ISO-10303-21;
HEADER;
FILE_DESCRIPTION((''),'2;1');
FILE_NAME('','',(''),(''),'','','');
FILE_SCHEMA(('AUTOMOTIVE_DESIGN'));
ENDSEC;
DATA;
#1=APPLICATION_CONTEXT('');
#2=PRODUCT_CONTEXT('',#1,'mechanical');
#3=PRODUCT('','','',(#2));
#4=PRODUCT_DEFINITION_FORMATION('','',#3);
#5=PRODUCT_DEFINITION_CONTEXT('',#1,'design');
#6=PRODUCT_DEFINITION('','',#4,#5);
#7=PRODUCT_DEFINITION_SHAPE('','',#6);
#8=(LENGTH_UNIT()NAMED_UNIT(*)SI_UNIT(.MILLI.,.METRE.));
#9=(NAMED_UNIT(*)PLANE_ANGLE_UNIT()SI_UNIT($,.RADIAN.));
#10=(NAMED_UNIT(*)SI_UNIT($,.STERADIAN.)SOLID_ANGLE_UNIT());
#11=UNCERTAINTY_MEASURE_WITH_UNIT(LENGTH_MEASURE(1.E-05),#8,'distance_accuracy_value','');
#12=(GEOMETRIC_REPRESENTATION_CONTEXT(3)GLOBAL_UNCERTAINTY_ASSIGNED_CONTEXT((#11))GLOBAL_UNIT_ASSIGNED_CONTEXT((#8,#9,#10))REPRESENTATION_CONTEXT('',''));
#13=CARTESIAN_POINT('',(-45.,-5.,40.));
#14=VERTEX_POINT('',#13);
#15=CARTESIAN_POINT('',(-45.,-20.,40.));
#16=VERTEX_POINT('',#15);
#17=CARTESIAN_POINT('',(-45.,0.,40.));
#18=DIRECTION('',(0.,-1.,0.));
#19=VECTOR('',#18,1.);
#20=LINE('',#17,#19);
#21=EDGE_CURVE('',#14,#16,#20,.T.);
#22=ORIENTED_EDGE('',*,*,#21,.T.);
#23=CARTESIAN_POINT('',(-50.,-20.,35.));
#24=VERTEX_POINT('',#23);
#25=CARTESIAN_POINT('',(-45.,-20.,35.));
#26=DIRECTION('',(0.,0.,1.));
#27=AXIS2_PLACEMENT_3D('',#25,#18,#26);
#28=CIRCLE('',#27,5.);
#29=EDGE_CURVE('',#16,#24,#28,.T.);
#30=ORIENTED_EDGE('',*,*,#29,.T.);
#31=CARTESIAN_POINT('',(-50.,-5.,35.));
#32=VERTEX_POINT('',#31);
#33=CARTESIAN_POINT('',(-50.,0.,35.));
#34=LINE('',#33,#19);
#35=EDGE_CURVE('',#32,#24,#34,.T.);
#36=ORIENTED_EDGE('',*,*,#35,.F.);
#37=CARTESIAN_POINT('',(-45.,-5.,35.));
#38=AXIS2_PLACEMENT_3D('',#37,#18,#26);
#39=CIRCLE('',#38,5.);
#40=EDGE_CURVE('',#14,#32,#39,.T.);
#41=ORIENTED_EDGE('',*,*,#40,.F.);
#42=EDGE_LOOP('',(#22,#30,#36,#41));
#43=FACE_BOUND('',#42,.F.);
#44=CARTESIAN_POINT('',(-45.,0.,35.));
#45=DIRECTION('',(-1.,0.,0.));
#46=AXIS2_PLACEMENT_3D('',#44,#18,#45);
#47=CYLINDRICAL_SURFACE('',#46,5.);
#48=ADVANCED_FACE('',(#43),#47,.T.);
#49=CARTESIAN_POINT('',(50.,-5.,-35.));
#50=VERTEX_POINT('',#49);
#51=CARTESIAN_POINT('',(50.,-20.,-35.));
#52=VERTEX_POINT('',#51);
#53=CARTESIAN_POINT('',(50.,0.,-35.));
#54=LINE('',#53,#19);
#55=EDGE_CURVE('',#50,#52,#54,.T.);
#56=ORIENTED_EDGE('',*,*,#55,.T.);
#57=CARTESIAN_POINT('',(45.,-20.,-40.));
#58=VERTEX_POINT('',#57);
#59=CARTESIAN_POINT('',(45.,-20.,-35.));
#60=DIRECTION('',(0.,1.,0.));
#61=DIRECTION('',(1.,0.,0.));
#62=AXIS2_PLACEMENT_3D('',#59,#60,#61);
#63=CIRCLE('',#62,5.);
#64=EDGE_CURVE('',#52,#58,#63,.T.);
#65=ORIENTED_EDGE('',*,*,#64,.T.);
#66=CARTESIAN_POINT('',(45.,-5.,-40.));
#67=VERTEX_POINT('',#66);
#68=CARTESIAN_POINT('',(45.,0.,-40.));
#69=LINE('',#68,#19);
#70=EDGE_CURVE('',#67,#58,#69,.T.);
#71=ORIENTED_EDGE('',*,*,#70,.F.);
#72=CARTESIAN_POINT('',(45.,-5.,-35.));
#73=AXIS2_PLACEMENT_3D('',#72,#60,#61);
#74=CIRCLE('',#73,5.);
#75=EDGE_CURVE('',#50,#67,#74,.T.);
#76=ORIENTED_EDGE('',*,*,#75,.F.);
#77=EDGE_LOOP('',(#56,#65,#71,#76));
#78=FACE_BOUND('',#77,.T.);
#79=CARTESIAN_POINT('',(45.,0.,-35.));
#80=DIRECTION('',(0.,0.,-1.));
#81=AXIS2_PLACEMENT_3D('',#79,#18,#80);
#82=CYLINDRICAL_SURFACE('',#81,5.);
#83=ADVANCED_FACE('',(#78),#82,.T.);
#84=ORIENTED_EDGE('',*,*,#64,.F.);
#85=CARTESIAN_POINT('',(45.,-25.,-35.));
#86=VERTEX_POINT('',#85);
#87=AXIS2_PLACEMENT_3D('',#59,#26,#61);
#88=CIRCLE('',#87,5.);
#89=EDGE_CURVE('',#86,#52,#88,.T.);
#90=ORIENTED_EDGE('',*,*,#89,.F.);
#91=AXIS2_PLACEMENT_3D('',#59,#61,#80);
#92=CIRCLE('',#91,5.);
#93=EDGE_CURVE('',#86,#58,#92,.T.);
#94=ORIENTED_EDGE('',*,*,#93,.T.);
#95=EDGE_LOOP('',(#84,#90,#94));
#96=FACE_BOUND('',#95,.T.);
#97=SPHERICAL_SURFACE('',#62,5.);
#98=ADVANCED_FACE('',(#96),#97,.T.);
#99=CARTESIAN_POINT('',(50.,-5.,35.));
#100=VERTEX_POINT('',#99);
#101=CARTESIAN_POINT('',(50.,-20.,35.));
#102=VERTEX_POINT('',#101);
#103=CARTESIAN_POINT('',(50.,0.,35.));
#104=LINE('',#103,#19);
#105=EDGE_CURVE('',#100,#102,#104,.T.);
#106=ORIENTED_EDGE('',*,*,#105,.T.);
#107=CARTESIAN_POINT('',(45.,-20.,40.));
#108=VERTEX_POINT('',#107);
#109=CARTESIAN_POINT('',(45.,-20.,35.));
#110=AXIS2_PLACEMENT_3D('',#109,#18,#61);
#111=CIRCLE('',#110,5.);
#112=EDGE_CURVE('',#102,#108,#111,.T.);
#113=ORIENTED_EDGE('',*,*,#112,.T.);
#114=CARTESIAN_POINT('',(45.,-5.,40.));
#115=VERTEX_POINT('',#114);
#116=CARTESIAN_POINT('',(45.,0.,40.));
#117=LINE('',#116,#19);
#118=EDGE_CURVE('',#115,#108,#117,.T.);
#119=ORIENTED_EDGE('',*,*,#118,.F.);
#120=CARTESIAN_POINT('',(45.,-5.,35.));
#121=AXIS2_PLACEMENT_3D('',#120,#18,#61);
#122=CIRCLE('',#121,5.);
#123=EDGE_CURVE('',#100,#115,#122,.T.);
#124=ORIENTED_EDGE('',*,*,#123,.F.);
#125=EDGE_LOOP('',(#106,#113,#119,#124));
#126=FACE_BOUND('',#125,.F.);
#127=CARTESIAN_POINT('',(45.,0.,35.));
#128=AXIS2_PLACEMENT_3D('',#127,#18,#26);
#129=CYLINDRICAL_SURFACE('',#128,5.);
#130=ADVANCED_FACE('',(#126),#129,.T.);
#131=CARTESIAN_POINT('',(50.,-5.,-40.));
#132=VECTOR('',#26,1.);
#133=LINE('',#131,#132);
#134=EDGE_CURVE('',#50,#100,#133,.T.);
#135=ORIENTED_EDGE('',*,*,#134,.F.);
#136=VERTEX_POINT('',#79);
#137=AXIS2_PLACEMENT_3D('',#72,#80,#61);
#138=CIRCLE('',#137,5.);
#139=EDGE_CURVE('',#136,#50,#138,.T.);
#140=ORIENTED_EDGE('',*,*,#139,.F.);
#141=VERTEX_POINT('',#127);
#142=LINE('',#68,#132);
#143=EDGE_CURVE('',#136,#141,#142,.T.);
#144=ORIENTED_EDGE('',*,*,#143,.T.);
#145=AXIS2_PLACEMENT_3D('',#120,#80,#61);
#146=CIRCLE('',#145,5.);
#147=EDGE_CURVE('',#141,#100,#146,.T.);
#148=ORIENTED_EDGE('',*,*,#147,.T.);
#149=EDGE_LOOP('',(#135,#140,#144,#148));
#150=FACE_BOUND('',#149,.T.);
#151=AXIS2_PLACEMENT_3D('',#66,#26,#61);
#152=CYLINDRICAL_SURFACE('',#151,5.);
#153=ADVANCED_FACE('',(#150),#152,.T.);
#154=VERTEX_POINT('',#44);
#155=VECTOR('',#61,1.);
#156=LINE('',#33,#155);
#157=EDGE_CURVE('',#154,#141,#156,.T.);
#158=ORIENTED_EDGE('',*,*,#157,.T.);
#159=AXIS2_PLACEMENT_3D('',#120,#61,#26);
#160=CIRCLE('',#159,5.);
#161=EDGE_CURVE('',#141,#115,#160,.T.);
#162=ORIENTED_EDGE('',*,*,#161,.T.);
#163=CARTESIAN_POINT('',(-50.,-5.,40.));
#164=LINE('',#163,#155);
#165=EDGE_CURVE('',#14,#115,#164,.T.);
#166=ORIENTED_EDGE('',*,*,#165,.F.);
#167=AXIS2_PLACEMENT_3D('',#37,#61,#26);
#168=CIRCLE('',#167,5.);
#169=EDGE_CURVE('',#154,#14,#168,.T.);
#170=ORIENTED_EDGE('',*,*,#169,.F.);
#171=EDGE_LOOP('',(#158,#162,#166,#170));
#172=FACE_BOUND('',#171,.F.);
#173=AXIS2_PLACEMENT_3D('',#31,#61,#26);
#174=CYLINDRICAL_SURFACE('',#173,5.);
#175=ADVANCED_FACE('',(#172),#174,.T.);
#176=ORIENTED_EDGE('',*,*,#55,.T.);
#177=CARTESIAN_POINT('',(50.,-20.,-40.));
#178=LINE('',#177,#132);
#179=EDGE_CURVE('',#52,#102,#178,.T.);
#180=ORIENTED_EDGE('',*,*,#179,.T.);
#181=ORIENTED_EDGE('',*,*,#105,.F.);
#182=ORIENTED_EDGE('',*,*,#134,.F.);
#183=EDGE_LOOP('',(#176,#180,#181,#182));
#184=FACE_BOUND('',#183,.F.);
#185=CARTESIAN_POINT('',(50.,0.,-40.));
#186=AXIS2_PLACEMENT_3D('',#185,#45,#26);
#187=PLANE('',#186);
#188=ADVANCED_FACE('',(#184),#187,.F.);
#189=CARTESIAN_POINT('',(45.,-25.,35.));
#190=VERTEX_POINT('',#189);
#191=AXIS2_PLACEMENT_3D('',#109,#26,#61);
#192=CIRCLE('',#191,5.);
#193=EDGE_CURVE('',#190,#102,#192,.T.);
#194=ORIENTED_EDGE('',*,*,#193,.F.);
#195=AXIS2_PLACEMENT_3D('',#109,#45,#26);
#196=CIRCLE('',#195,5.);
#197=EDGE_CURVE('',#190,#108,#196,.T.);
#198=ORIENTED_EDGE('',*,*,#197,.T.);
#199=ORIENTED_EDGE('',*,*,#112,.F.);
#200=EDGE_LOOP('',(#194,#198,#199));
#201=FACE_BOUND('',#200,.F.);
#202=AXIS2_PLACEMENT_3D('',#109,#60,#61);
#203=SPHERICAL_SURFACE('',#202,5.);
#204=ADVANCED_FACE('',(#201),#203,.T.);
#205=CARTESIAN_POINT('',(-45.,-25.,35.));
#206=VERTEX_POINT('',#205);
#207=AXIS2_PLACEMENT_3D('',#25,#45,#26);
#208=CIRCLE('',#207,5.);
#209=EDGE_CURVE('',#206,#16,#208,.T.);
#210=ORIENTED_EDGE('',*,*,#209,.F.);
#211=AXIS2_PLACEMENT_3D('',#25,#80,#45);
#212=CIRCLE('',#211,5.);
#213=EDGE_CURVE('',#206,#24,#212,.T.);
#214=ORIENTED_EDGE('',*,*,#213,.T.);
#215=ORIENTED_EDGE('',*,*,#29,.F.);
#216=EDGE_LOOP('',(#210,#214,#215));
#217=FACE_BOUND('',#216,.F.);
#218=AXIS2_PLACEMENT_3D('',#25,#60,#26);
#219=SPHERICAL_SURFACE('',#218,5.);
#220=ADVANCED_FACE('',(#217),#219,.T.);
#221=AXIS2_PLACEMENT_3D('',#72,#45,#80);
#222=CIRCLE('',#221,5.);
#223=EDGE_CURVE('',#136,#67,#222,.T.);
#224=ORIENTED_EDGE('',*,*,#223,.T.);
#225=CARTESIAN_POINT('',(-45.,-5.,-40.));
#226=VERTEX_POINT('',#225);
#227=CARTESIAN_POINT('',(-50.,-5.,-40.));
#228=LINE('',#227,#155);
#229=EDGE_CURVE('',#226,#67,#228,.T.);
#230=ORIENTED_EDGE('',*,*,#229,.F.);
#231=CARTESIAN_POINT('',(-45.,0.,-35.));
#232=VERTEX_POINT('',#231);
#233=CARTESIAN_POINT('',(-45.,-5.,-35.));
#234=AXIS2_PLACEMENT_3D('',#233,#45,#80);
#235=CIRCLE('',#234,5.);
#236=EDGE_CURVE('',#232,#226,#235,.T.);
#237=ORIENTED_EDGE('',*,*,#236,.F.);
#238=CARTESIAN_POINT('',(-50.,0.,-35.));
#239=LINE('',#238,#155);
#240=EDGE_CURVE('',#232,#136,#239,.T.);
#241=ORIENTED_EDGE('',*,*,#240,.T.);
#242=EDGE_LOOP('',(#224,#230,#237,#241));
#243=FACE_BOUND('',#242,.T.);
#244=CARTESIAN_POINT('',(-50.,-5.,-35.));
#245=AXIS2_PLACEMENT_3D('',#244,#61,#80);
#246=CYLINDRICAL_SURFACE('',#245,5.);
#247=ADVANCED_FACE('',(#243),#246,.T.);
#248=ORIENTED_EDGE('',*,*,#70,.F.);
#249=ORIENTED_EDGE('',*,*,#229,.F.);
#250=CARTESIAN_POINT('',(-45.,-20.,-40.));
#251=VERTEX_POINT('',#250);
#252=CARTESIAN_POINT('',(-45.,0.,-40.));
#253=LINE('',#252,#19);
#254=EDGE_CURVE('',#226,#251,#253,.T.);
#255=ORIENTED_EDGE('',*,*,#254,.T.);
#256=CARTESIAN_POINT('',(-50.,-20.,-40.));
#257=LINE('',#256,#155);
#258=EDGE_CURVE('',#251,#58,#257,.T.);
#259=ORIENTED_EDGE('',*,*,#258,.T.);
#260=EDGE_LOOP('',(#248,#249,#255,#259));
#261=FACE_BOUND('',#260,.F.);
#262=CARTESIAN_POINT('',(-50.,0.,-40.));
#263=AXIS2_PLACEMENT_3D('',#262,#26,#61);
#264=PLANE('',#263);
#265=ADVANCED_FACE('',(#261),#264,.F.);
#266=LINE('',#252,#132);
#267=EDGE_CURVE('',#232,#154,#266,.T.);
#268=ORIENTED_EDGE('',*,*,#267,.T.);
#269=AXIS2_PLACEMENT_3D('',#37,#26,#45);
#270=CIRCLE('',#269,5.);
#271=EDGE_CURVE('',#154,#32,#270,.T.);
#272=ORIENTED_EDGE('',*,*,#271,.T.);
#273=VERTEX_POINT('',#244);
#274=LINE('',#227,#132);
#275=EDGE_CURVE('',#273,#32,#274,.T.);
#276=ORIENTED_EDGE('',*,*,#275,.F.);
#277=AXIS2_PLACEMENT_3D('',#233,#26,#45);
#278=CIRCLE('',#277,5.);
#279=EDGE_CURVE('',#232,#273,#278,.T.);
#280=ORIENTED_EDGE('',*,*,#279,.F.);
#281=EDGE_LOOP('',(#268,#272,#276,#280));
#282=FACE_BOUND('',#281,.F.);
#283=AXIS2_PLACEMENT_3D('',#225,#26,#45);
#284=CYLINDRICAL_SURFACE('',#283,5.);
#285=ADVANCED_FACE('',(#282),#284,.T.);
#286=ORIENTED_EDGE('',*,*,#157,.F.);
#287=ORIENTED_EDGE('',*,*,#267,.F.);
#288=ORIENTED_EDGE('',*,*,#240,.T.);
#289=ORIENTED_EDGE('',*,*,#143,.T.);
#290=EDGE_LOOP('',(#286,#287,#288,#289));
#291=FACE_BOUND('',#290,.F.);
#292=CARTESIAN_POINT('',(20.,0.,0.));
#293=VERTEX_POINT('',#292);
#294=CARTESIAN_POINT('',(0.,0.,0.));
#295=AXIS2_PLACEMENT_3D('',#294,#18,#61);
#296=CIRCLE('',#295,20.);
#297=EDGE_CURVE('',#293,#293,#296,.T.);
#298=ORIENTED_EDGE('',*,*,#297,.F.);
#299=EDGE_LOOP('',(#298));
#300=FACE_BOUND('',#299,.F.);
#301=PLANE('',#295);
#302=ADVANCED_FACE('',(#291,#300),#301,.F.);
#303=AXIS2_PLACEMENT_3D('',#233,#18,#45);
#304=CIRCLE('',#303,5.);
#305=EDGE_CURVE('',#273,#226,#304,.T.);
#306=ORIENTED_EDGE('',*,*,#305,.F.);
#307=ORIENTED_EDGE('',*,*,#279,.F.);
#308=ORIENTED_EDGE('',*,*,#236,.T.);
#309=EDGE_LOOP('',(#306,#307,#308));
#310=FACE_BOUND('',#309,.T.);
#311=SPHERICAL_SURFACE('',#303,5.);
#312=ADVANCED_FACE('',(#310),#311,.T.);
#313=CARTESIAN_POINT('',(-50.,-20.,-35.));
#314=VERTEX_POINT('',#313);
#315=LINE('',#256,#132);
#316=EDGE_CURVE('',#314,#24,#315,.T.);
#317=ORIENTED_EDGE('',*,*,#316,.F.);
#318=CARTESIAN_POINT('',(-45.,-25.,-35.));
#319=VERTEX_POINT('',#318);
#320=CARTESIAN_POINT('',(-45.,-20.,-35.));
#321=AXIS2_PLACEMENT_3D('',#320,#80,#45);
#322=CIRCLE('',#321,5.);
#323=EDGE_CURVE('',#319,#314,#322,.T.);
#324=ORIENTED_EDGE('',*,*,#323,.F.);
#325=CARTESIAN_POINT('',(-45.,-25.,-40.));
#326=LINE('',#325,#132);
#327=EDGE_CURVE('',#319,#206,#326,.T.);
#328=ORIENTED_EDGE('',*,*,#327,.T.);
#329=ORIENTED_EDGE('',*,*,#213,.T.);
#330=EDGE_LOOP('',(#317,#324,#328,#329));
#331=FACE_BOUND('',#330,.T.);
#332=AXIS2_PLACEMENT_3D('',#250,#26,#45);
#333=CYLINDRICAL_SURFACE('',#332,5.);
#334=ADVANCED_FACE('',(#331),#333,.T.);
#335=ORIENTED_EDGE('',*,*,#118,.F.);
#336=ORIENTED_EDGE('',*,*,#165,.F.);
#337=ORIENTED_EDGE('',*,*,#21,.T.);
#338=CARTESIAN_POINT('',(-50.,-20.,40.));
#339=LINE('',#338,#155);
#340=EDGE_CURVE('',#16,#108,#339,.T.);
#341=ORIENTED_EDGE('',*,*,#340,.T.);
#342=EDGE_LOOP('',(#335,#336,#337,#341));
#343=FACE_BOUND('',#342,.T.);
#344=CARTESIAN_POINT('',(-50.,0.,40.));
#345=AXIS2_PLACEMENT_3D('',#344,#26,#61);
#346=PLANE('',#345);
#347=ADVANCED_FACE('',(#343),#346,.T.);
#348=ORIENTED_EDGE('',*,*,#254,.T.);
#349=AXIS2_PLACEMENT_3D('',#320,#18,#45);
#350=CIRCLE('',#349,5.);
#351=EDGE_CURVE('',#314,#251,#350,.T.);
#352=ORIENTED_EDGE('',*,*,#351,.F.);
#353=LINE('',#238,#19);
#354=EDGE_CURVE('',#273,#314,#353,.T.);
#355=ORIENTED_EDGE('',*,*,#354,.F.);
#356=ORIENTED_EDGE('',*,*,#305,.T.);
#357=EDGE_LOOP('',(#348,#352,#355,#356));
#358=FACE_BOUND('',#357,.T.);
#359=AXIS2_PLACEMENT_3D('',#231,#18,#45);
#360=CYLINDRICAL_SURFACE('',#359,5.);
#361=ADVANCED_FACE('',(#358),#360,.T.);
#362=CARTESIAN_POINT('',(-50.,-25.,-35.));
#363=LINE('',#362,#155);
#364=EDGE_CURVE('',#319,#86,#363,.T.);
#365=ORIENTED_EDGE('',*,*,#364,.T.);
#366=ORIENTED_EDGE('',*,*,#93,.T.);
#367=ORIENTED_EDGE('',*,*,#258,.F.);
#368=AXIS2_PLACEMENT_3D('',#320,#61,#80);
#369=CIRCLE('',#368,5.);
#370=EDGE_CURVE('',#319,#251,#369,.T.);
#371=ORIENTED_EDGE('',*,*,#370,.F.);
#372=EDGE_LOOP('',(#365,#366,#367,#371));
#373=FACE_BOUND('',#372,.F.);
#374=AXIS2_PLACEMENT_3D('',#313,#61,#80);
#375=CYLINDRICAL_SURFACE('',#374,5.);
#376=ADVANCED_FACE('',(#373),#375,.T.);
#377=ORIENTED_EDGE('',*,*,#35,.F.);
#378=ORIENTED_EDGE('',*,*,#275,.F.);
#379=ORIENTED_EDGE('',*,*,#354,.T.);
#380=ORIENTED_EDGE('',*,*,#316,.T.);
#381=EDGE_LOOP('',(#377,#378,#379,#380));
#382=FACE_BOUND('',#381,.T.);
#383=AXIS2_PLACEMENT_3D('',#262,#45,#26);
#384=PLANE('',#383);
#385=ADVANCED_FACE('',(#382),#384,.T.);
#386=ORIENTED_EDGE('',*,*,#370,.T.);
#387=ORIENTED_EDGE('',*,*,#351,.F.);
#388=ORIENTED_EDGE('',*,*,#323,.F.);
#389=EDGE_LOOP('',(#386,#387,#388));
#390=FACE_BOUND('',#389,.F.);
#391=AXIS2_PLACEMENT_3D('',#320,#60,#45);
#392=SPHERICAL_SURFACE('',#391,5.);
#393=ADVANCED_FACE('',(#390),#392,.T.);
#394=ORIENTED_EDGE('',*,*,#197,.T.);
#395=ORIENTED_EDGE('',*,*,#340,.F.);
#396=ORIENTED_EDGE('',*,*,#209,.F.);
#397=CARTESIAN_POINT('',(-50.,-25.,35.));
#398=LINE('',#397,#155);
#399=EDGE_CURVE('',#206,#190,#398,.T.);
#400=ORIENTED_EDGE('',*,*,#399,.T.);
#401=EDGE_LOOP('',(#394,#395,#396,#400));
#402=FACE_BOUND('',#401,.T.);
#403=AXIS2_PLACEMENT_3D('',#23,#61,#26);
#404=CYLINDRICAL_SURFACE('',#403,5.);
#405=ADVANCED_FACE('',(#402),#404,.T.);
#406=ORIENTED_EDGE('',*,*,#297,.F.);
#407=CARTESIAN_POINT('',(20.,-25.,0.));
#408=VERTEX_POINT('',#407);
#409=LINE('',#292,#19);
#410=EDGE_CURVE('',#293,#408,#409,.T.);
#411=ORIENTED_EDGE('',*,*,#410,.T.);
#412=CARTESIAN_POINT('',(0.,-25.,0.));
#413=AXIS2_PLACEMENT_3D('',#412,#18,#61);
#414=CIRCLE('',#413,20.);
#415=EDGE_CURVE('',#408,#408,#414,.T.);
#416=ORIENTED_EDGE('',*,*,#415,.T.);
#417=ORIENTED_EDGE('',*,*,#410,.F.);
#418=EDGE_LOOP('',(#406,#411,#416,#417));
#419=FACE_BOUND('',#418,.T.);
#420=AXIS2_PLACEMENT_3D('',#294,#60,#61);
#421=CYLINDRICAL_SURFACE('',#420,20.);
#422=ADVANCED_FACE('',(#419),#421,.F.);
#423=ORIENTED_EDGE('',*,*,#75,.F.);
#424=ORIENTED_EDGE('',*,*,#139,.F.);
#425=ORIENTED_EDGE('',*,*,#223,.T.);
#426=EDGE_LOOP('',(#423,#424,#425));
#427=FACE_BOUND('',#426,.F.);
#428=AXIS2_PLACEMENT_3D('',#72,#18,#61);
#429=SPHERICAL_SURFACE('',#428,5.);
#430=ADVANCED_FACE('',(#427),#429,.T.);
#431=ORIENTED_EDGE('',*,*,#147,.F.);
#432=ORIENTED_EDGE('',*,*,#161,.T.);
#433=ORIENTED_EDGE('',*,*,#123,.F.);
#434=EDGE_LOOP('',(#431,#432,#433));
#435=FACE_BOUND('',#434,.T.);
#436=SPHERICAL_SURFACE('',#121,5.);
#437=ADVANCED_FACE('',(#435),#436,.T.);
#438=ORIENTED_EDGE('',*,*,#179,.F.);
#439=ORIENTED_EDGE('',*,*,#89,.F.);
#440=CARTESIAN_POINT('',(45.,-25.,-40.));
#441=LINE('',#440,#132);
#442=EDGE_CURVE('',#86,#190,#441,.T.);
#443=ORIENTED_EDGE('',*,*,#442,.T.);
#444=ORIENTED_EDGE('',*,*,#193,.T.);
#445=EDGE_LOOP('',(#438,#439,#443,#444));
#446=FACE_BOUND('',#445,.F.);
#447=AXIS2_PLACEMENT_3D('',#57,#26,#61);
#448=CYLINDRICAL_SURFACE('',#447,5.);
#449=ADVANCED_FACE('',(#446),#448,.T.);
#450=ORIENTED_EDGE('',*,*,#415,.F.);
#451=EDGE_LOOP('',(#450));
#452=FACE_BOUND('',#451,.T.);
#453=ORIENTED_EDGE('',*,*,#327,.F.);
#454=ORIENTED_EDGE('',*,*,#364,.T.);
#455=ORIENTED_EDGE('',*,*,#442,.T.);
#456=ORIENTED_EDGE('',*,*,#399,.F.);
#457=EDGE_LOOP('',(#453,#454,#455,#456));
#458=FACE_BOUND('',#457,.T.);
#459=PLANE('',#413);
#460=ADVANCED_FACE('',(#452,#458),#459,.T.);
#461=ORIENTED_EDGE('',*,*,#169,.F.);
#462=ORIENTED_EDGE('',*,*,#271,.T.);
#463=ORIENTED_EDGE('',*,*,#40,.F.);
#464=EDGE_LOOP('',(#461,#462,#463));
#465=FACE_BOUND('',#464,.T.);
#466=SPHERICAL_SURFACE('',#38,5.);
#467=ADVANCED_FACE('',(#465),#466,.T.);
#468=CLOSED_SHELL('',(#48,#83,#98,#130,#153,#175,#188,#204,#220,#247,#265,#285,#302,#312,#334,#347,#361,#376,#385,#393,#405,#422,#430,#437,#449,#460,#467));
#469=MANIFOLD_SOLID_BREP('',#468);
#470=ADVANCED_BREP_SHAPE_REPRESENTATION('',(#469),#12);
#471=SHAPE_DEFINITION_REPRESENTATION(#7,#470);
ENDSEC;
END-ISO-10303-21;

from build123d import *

# Parameters (mm, degrees)
F0_W     = 100
F0_H     = 80
F0_R     = 20
F1_DEPTH = 25
F2_R     = 5


with BuildPart() as f1:
    # F0 (on Front) → F1 (new body)
    with BuildSketch(Plane.XZ):
        Rectangle(F0_W, F0_H)
        Circle(F0_R, mode=Mode.SUBTRACT)
    extrude(amount=F1_DEPTH)

    # F2
    f2_edges = [f1.edges().sort_by_distance(p)[0] for p in [
        (50, -12.5, -40),
        (50, -12.5, 40),
        (50, 0, 0),
        (50, -25, 0),
        (-50, -12.5, 40),
        (0, 0, 40),
        (0, -25, 40),
        (-50, -12.5, -40),
        (-50, 0, 0),
        (-50, -25, 0),
        (0, 0, -40),
        (0, -25, -40),
    ]]
    fillet(f2_edges, radius=F2_R)


solid = f1.part
